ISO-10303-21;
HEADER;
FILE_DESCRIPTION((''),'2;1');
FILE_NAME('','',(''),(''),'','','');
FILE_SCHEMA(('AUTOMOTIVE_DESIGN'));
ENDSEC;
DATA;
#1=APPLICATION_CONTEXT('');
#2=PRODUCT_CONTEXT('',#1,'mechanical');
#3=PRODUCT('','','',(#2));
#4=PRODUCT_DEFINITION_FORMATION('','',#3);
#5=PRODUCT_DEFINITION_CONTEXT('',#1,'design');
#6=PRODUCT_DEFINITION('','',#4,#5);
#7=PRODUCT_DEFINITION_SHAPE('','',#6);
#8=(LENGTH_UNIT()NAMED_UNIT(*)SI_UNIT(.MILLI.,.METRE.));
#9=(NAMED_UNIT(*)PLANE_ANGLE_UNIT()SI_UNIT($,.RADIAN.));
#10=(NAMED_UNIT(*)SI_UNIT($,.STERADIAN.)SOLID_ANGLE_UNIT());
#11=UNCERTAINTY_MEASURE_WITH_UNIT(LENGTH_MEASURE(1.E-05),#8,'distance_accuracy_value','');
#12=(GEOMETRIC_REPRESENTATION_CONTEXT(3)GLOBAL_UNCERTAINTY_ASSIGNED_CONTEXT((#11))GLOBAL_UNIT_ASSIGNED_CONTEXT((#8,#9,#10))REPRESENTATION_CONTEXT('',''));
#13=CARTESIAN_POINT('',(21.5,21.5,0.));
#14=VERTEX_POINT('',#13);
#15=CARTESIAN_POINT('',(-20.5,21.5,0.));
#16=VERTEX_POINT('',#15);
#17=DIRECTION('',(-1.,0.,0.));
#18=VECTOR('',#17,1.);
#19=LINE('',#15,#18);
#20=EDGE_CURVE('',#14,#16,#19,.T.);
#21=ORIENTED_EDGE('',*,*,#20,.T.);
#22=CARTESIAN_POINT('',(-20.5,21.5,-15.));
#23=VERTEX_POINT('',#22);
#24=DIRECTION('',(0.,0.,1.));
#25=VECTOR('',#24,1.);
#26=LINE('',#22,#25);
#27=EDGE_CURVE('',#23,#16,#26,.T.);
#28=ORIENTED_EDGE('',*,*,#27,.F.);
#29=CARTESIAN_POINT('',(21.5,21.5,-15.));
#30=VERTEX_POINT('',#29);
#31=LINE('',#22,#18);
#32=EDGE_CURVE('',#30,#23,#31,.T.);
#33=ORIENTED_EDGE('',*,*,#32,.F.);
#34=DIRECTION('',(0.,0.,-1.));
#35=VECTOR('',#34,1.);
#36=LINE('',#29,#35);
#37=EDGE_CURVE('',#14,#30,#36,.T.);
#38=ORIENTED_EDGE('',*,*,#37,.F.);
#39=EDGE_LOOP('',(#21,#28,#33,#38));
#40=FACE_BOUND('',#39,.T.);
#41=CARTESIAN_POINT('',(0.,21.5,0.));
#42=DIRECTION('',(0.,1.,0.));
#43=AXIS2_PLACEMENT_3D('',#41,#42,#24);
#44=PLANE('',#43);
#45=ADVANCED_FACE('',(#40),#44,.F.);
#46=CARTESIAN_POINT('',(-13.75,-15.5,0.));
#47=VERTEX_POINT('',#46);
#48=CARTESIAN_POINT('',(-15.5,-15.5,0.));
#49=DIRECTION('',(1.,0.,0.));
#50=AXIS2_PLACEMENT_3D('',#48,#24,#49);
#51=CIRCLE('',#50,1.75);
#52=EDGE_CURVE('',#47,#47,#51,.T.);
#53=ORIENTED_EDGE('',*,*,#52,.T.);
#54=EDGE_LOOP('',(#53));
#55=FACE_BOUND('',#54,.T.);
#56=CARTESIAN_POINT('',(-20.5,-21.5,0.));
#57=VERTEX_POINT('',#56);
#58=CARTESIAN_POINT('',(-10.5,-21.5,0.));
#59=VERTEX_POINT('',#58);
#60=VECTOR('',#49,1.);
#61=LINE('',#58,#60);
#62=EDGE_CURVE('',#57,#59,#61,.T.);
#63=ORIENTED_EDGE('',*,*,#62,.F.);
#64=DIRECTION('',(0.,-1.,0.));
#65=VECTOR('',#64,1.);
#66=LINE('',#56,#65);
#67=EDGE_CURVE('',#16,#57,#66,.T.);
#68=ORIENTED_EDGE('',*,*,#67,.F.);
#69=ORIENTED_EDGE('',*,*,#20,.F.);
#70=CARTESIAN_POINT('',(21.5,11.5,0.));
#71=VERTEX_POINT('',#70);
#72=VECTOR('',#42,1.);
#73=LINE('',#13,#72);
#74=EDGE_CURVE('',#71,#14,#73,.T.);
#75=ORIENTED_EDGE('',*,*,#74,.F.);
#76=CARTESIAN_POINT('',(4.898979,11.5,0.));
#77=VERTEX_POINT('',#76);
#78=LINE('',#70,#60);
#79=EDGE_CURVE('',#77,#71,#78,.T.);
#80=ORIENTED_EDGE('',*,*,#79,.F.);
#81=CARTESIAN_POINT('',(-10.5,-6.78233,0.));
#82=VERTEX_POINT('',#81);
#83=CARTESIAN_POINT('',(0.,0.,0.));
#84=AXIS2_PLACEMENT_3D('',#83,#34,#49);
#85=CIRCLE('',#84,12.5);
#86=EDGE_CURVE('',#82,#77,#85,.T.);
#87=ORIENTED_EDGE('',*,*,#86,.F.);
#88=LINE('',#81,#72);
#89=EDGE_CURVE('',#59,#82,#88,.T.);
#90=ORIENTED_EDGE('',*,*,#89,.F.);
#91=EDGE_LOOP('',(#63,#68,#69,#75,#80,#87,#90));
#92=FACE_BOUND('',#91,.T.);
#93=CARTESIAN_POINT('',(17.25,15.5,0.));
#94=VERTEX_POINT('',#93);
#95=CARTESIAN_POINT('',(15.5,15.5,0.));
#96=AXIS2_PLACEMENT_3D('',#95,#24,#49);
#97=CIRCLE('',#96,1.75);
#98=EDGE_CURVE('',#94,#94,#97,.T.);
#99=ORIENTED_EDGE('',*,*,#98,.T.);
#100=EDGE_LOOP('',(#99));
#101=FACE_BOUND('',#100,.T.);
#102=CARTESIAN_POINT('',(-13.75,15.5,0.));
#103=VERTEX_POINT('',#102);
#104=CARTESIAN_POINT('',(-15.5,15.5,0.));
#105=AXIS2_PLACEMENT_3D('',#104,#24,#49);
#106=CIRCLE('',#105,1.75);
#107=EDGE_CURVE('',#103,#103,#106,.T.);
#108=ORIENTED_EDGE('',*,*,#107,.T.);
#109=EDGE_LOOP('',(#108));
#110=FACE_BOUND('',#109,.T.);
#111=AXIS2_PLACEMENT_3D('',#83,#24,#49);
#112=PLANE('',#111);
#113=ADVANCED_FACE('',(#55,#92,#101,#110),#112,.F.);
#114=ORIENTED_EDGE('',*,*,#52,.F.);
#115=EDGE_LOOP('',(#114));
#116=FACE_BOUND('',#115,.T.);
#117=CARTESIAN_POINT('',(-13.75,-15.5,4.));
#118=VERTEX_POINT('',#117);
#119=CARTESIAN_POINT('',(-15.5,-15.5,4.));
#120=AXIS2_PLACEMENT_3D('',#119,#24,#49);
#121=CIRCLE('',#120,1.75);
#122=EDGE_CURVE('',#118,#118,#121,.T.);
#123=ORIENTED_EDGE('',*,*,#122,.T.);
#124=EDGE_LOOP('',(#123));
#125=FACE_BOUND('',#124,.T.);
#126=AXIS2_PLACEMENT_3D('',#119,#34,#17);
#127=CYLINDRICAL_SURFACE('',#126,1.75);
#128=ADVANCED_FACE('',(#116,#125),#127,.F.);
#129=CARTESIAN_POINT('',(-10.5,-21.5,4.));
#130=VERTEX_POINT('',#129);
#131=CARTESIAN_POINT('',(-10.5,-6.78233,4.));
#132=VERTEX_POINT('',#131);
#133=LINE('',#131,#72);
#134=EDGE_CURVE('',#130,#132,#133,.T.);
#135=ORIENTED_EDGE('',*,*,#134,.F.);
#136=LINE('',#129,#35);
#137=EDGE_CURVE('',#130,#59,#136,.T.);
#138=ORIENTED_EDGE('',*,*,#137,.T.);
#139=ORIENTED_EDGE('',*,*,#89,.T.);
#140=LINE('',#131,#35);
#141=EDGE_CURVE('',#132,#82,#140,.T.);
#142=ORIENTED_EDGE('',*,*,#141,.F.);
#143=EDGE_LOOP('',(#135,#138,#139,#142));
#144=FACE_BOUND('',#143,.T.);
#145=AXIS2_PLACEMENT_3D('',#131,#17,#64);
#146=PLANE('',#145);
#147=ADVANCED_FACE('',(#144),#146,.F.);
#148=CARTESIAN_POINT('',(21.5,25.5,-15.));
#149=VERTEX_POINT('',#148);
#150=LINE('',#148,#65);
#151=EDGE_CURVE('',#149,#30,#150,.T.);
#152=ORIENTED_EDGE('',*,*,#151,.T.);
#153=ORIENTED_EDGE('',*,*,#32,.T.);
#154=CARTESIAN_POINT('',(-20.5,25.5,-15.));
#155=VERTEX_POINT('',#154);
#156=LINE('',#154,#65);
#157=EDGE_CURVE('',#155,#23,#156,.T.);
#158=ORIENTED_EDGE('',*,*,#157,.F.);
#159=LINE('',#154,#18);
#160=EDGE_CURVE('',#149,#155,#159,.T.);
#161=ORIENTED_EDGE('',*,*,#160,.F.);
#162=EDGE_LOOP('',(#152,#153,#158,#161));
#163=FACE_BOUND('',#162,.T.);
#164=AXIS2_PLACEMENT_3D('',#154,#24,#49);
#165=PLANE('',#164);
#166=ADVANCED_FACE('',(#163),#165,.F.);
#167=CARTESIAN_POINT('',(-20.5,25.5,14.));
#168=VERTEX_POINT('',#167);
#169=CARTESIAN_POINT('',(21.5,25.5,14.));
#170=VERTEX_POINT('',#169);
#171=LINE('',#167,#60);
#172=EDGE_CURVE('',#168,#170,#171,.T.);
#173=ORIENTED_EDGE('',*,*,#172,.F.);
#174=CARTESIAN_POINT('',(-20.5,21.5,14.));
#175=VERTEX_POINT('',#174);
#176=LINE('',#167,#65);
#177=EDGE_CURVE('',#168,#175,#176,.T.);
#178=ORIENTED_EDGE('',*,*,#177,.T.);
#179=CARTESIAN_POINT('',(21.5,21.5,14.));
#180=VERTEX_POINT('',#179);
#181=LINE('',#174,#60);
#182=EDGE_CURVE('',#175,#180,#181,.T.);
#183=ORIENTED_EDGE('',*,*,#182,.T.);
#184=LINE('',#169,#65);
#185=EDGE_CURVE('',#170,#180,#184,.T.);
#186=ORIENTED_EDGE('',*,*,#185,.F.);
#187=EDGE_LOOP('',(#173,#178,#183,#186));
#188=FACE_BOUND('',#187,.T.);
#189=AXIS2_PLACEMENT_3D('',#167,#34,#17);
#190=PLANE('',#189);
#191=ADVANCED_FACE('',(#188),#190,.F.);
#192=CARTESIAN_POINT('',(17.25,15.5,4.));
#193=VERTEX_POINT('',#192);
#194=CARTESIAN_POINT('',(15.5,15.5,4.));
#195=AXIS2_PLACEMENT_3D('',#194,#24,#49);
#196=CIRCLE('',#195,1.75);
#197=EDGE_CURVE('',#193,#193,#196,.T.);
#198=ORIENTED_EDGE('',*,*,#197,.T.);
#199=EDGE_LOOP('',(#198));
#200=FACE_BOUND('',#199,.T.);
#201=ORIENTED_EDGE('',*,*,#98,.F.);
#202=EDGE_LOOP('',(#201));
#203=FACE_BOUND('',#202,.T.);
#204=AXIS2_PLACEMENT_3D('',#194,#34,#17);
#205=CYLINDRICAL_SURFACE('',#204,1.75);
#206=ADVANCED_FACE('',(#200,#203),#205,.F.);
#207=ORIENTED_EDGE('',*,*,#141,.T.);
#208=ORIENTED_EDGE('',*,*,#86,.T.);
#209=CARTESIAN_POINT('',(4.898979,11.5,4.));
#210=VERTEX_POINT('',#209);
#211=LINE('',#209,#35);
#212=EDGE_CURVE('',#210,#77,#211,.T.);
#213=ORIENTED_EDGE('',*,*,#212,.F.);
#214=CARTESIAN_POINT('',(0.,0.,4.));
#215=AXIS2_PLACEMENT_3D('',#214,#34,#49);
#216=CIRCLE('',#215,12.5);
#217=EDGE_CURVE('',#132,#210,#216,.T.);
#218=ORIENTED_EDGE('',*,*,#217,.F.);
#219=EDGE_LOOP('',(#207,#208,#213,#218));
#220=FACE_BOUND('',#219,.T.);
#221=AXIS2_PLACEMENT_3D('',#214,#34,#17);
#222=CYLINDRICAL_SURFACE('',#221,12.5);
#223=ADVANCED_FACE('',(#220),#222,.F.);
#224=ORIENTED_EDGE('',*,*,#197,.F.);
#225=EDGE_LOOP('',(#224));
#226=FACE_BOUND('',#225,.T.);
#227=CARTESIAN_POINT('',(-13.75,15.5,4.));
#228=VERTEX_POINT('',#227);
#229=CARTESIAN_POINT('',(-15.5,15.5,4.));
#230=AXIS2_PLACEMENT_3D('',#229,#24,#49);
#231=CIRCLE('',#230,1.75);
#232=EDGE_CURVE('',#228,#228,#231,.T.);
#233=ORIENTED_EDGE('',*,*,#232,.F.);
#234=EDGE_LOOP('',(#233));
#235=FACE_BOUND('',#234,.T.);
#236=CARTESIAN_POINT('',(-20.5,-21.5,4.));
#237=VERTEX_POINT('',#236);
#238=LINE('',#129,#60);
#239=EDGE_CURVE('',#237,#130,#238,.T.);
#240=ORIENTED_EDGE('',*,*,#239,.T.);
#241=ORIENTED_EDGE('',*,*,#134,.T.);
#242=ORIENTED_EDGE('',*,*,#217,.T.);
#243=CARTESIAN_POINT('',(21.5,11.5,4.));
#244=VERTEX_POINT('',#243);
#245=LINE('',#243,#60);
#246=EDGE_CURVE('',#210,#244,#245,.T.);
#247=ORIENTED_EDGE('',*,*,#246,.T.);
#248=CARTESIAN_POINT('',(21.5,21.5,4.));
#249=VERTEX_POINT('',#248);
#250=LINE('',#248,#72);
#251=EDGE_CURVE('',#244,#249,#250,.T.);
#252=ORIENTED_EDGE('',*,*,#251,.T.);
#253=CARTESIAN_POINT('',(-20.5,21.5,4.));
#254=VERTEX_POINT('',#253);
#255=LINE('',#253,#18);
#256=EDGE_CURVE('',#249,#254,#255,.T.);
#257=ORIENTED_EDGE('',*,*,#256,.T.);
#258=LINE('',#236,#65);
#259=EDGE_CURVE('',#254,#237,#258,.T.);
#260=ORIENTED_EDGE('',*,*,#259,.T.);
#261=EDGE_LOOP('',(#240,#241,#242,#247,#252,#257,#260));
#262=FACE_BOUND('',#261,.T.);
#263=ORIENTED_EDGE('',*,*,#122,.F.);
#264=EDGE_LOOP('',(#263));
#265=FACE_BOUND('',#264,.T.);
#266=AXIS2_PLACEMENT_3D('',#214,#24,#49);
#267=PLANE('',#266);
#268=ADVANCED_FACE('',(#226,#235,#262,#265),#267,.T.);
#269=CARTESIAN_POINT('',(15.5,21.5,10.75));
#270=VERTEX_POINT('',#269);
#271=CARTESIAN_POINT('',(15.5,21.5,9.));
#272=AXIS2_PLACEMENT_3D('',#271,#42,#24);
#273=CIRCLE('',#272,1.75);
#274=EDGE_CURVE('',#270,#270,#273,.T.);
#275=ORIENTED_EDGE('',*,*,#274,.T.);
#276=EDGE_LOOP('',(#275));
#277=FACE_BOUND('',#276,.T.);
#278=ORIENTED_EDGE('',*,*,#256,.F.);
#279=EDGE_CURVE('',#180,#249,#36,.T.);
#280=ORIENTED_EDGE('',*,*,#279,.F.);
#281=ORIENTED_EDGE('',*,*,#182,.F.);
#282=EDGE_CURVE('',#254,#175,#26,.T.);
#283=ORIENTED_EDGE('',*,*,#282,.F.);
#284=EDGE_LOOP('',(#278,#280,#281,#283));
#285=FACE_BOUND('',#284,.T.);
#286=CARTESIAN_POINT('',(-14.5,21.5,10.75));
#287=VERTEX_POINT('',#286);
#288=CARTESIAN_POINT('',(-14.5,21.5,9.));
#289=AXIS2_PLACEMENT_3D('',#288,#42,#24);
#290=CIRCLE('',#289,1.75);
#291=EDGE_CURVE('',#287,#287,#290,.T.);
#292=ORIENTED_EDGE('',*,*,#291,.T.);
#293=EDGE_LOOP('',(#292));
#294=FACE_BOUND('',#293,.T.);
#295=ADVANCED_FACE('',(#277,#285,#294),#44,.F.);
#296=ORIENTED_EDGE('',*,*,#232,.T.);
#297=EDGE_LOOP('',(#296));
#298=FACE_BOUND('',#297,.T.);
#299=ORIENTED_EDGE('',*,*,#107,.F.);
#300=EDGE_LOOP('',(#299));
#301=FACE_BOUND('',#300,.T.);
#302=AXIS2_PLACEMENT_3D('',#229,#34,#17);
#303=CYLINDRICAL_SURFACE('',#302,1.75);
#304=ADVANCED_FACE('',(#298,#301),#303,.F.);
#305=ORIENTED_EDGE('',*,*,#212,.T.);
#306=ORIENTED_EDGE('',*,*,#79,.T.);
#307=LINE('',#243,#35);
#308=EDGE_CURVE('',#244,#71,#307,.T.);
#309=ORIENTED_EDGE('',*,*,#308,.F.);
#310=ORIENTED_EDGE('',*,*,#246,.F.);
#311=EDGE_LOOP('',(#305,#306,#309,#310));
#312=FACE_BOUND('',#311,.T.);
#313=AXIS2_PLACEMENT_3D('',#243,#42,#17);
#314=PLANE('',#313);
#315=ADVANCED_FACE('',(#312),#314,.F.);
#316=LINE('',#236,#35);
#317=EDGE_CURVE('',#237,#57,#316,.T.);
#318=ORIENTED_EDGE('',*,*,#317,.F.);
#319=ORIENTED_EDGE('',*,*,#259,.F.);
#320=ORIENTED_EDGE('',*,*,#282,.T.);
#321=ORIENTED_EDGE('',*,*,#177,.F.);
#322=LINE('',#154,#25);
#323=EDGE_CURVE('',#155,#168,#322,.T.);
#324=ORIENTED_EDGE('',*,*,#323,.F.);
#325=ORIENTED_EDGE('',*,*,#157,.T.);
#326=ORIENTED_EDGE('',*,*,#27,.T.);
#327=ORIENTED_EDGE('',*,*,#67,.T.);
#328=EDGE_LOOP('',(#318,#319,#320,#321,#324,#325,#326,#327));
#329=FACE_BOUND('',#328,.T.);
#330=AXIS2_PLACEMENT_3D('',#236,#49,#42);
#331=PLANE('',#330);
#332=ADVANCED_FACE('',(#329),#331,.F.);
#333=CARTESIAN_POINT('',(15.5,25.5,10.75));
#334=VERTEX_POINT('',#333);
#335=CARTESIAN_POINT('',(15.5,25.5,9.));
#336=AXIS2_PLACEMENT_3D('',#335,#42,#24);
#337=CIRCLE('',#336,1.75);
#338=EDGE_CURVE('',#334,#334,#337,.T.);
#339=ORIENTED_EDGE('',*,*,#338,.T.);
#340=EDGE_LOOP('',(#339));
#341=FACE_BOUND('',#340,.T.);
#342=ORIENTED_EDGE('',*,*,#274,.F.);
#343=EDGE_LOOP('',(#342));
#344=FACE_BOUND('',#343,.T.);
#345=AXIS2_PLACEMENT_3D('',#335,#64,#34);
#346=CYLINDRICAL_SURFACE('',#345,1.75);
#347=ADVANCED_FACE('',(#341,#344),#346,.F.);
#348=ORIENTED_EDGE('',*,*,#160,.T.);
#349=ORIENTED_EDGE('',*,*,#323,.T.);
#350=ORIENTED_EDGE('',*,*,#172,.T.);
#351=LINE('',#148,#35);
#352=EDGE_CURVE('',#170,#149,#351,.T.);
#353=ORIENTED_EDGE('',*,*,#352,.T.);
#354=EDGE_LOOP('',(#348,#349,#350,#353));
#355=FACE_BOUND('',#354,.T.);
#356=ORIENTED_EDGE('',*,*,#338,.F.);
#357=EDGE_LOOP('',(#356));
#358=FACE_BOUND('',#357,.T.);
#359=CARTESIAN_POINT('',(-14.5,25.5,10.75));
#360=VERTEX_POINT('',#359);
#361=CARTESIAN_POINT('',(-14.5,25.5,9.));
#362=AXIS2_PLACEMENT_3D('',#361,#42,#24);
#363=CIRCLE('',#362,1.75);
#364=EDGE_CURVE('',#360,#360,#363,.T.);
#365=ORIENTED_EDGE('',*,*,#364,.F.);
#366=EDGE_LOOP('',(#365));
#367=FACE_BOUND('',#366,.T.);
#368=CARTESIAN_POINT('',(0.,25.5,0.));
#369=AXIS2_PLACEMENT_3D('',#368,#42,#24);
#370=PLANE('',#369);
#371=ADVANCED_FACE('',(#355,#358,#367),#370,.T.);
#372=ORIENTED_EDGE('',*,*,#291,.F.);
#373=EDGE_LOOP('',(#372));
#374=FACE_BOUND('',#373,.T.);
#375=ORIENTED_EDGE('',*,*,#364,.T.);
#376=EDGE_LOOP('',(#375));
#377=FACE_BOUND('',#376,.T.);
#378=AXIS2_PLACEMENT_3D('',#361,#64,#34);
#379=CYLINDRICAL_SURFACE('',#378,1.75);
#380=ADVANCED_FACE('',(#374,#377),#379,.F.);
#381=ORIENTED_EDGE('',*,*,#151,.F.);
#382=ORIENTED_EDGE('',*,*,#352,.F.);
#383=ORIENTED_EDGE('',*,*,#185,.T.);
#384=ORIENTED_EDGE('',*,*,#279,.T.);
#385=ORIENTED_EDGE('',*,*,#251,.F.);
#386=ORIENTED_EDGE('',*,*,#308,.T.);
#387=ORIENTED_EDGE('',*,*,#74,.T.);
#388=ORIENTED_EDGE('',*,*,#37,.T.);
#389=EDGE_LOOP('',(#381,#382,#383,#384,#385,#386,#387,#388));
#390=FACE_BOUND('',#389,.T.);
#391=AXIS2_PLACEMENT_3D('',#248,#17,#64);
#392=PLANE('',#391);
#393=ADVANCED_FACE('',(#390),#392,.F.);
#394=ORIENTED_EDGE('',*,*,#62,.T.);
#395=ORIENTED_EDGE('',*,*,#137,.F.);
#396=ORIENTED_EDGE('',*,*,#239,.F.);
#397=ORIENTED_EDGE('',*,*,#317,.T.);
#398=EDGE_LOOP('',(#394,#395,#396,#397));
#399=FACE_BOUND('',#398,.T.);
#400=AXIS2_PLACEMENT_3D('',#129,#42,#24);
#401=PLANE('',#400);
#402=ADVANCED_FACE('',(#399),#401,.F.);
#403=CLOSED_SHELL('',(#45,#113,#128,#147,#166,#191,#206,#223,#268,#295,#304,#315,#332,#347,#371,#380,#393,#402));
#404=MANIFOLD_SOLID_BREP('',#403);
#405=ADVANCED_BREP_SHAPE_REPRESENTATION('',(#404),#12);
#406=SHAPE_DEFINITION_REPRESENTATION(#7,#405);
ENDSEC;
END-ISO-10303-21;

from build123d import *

# Parameters (mm, degrees)
ESBO_O1_R                = 1.75
RESSALTO_EXTRUS_O1_DEPTH = 4
ESBO_O2_W                = 42
ESBO_O2_H                = 29
ESBO_O2_R                = 1.75
RESSALTO_EXTRUS_O2_DEPTH = 4


with BuildPart() as part:
    # Esboço1 → Ressalto-extrusão1 (new body)
    with BuildSketch(Plane.XY):
        with BuildLine():
            Line((-20.5, -21.5), (-20.5, 21.5))
            Line((-20.5, 21.5), (21.5, 21.5))
            Line((21.5, 21.5), (21.5, 11.5))
            Line((21.5, 11.5), (4.898979486, 11.5))
            ThreePointArc((4.898979486, 11.5), (-9.56053111, 8.052716616), (-10.5, -6.782329983))
            Line((-10.5, -6.782329983), (-10.5, -21.5))
            Line((-10.5, -21.5), (-20.5, -21.5))
        make_face()
        with Locations((-15.5, 15.5)):
            Circle(ESBO_O1_R, mode=Mode.SUBTRACT)
        with Locations((15.5, 15.5)):
            Circle(ESBO_O1_R, mode=Mode.SUBTRACT)
        with Locations((-15.5, -15.5)):
            Circle(ESBO_O1_R, mode=Mode.SUBTRACT)
    extrude(amount=RESSALTO_EXTRUS_O1_DEPTH)

    # Esboço2 → Ressalto-extrusão2 (add)
    with BuildSketch(Plane(origin=(0, 21.5, 0), x_dir=(1, 0, 0), z_dir=(0, 1, 0))):
        with Locations((0.5, 0.5)):
            Rectangle(ESBO_O2_W, ESBO_O2_H)
        with Locations(Location((-14.5, -9, 0), (0, 0, 270))):
            Circle(ESBO_O2_R, mode=Mode.SUBTRACT)
        with Locations(Location((15.5, -9, 0), (0, 0, 270))):
            Circle(ESBO_O2_R, mode=Mode.SUBTRACT)
    extrude(amount=RESSALTO_EXTRUS_O2_DEPTH)


solid = part.part
